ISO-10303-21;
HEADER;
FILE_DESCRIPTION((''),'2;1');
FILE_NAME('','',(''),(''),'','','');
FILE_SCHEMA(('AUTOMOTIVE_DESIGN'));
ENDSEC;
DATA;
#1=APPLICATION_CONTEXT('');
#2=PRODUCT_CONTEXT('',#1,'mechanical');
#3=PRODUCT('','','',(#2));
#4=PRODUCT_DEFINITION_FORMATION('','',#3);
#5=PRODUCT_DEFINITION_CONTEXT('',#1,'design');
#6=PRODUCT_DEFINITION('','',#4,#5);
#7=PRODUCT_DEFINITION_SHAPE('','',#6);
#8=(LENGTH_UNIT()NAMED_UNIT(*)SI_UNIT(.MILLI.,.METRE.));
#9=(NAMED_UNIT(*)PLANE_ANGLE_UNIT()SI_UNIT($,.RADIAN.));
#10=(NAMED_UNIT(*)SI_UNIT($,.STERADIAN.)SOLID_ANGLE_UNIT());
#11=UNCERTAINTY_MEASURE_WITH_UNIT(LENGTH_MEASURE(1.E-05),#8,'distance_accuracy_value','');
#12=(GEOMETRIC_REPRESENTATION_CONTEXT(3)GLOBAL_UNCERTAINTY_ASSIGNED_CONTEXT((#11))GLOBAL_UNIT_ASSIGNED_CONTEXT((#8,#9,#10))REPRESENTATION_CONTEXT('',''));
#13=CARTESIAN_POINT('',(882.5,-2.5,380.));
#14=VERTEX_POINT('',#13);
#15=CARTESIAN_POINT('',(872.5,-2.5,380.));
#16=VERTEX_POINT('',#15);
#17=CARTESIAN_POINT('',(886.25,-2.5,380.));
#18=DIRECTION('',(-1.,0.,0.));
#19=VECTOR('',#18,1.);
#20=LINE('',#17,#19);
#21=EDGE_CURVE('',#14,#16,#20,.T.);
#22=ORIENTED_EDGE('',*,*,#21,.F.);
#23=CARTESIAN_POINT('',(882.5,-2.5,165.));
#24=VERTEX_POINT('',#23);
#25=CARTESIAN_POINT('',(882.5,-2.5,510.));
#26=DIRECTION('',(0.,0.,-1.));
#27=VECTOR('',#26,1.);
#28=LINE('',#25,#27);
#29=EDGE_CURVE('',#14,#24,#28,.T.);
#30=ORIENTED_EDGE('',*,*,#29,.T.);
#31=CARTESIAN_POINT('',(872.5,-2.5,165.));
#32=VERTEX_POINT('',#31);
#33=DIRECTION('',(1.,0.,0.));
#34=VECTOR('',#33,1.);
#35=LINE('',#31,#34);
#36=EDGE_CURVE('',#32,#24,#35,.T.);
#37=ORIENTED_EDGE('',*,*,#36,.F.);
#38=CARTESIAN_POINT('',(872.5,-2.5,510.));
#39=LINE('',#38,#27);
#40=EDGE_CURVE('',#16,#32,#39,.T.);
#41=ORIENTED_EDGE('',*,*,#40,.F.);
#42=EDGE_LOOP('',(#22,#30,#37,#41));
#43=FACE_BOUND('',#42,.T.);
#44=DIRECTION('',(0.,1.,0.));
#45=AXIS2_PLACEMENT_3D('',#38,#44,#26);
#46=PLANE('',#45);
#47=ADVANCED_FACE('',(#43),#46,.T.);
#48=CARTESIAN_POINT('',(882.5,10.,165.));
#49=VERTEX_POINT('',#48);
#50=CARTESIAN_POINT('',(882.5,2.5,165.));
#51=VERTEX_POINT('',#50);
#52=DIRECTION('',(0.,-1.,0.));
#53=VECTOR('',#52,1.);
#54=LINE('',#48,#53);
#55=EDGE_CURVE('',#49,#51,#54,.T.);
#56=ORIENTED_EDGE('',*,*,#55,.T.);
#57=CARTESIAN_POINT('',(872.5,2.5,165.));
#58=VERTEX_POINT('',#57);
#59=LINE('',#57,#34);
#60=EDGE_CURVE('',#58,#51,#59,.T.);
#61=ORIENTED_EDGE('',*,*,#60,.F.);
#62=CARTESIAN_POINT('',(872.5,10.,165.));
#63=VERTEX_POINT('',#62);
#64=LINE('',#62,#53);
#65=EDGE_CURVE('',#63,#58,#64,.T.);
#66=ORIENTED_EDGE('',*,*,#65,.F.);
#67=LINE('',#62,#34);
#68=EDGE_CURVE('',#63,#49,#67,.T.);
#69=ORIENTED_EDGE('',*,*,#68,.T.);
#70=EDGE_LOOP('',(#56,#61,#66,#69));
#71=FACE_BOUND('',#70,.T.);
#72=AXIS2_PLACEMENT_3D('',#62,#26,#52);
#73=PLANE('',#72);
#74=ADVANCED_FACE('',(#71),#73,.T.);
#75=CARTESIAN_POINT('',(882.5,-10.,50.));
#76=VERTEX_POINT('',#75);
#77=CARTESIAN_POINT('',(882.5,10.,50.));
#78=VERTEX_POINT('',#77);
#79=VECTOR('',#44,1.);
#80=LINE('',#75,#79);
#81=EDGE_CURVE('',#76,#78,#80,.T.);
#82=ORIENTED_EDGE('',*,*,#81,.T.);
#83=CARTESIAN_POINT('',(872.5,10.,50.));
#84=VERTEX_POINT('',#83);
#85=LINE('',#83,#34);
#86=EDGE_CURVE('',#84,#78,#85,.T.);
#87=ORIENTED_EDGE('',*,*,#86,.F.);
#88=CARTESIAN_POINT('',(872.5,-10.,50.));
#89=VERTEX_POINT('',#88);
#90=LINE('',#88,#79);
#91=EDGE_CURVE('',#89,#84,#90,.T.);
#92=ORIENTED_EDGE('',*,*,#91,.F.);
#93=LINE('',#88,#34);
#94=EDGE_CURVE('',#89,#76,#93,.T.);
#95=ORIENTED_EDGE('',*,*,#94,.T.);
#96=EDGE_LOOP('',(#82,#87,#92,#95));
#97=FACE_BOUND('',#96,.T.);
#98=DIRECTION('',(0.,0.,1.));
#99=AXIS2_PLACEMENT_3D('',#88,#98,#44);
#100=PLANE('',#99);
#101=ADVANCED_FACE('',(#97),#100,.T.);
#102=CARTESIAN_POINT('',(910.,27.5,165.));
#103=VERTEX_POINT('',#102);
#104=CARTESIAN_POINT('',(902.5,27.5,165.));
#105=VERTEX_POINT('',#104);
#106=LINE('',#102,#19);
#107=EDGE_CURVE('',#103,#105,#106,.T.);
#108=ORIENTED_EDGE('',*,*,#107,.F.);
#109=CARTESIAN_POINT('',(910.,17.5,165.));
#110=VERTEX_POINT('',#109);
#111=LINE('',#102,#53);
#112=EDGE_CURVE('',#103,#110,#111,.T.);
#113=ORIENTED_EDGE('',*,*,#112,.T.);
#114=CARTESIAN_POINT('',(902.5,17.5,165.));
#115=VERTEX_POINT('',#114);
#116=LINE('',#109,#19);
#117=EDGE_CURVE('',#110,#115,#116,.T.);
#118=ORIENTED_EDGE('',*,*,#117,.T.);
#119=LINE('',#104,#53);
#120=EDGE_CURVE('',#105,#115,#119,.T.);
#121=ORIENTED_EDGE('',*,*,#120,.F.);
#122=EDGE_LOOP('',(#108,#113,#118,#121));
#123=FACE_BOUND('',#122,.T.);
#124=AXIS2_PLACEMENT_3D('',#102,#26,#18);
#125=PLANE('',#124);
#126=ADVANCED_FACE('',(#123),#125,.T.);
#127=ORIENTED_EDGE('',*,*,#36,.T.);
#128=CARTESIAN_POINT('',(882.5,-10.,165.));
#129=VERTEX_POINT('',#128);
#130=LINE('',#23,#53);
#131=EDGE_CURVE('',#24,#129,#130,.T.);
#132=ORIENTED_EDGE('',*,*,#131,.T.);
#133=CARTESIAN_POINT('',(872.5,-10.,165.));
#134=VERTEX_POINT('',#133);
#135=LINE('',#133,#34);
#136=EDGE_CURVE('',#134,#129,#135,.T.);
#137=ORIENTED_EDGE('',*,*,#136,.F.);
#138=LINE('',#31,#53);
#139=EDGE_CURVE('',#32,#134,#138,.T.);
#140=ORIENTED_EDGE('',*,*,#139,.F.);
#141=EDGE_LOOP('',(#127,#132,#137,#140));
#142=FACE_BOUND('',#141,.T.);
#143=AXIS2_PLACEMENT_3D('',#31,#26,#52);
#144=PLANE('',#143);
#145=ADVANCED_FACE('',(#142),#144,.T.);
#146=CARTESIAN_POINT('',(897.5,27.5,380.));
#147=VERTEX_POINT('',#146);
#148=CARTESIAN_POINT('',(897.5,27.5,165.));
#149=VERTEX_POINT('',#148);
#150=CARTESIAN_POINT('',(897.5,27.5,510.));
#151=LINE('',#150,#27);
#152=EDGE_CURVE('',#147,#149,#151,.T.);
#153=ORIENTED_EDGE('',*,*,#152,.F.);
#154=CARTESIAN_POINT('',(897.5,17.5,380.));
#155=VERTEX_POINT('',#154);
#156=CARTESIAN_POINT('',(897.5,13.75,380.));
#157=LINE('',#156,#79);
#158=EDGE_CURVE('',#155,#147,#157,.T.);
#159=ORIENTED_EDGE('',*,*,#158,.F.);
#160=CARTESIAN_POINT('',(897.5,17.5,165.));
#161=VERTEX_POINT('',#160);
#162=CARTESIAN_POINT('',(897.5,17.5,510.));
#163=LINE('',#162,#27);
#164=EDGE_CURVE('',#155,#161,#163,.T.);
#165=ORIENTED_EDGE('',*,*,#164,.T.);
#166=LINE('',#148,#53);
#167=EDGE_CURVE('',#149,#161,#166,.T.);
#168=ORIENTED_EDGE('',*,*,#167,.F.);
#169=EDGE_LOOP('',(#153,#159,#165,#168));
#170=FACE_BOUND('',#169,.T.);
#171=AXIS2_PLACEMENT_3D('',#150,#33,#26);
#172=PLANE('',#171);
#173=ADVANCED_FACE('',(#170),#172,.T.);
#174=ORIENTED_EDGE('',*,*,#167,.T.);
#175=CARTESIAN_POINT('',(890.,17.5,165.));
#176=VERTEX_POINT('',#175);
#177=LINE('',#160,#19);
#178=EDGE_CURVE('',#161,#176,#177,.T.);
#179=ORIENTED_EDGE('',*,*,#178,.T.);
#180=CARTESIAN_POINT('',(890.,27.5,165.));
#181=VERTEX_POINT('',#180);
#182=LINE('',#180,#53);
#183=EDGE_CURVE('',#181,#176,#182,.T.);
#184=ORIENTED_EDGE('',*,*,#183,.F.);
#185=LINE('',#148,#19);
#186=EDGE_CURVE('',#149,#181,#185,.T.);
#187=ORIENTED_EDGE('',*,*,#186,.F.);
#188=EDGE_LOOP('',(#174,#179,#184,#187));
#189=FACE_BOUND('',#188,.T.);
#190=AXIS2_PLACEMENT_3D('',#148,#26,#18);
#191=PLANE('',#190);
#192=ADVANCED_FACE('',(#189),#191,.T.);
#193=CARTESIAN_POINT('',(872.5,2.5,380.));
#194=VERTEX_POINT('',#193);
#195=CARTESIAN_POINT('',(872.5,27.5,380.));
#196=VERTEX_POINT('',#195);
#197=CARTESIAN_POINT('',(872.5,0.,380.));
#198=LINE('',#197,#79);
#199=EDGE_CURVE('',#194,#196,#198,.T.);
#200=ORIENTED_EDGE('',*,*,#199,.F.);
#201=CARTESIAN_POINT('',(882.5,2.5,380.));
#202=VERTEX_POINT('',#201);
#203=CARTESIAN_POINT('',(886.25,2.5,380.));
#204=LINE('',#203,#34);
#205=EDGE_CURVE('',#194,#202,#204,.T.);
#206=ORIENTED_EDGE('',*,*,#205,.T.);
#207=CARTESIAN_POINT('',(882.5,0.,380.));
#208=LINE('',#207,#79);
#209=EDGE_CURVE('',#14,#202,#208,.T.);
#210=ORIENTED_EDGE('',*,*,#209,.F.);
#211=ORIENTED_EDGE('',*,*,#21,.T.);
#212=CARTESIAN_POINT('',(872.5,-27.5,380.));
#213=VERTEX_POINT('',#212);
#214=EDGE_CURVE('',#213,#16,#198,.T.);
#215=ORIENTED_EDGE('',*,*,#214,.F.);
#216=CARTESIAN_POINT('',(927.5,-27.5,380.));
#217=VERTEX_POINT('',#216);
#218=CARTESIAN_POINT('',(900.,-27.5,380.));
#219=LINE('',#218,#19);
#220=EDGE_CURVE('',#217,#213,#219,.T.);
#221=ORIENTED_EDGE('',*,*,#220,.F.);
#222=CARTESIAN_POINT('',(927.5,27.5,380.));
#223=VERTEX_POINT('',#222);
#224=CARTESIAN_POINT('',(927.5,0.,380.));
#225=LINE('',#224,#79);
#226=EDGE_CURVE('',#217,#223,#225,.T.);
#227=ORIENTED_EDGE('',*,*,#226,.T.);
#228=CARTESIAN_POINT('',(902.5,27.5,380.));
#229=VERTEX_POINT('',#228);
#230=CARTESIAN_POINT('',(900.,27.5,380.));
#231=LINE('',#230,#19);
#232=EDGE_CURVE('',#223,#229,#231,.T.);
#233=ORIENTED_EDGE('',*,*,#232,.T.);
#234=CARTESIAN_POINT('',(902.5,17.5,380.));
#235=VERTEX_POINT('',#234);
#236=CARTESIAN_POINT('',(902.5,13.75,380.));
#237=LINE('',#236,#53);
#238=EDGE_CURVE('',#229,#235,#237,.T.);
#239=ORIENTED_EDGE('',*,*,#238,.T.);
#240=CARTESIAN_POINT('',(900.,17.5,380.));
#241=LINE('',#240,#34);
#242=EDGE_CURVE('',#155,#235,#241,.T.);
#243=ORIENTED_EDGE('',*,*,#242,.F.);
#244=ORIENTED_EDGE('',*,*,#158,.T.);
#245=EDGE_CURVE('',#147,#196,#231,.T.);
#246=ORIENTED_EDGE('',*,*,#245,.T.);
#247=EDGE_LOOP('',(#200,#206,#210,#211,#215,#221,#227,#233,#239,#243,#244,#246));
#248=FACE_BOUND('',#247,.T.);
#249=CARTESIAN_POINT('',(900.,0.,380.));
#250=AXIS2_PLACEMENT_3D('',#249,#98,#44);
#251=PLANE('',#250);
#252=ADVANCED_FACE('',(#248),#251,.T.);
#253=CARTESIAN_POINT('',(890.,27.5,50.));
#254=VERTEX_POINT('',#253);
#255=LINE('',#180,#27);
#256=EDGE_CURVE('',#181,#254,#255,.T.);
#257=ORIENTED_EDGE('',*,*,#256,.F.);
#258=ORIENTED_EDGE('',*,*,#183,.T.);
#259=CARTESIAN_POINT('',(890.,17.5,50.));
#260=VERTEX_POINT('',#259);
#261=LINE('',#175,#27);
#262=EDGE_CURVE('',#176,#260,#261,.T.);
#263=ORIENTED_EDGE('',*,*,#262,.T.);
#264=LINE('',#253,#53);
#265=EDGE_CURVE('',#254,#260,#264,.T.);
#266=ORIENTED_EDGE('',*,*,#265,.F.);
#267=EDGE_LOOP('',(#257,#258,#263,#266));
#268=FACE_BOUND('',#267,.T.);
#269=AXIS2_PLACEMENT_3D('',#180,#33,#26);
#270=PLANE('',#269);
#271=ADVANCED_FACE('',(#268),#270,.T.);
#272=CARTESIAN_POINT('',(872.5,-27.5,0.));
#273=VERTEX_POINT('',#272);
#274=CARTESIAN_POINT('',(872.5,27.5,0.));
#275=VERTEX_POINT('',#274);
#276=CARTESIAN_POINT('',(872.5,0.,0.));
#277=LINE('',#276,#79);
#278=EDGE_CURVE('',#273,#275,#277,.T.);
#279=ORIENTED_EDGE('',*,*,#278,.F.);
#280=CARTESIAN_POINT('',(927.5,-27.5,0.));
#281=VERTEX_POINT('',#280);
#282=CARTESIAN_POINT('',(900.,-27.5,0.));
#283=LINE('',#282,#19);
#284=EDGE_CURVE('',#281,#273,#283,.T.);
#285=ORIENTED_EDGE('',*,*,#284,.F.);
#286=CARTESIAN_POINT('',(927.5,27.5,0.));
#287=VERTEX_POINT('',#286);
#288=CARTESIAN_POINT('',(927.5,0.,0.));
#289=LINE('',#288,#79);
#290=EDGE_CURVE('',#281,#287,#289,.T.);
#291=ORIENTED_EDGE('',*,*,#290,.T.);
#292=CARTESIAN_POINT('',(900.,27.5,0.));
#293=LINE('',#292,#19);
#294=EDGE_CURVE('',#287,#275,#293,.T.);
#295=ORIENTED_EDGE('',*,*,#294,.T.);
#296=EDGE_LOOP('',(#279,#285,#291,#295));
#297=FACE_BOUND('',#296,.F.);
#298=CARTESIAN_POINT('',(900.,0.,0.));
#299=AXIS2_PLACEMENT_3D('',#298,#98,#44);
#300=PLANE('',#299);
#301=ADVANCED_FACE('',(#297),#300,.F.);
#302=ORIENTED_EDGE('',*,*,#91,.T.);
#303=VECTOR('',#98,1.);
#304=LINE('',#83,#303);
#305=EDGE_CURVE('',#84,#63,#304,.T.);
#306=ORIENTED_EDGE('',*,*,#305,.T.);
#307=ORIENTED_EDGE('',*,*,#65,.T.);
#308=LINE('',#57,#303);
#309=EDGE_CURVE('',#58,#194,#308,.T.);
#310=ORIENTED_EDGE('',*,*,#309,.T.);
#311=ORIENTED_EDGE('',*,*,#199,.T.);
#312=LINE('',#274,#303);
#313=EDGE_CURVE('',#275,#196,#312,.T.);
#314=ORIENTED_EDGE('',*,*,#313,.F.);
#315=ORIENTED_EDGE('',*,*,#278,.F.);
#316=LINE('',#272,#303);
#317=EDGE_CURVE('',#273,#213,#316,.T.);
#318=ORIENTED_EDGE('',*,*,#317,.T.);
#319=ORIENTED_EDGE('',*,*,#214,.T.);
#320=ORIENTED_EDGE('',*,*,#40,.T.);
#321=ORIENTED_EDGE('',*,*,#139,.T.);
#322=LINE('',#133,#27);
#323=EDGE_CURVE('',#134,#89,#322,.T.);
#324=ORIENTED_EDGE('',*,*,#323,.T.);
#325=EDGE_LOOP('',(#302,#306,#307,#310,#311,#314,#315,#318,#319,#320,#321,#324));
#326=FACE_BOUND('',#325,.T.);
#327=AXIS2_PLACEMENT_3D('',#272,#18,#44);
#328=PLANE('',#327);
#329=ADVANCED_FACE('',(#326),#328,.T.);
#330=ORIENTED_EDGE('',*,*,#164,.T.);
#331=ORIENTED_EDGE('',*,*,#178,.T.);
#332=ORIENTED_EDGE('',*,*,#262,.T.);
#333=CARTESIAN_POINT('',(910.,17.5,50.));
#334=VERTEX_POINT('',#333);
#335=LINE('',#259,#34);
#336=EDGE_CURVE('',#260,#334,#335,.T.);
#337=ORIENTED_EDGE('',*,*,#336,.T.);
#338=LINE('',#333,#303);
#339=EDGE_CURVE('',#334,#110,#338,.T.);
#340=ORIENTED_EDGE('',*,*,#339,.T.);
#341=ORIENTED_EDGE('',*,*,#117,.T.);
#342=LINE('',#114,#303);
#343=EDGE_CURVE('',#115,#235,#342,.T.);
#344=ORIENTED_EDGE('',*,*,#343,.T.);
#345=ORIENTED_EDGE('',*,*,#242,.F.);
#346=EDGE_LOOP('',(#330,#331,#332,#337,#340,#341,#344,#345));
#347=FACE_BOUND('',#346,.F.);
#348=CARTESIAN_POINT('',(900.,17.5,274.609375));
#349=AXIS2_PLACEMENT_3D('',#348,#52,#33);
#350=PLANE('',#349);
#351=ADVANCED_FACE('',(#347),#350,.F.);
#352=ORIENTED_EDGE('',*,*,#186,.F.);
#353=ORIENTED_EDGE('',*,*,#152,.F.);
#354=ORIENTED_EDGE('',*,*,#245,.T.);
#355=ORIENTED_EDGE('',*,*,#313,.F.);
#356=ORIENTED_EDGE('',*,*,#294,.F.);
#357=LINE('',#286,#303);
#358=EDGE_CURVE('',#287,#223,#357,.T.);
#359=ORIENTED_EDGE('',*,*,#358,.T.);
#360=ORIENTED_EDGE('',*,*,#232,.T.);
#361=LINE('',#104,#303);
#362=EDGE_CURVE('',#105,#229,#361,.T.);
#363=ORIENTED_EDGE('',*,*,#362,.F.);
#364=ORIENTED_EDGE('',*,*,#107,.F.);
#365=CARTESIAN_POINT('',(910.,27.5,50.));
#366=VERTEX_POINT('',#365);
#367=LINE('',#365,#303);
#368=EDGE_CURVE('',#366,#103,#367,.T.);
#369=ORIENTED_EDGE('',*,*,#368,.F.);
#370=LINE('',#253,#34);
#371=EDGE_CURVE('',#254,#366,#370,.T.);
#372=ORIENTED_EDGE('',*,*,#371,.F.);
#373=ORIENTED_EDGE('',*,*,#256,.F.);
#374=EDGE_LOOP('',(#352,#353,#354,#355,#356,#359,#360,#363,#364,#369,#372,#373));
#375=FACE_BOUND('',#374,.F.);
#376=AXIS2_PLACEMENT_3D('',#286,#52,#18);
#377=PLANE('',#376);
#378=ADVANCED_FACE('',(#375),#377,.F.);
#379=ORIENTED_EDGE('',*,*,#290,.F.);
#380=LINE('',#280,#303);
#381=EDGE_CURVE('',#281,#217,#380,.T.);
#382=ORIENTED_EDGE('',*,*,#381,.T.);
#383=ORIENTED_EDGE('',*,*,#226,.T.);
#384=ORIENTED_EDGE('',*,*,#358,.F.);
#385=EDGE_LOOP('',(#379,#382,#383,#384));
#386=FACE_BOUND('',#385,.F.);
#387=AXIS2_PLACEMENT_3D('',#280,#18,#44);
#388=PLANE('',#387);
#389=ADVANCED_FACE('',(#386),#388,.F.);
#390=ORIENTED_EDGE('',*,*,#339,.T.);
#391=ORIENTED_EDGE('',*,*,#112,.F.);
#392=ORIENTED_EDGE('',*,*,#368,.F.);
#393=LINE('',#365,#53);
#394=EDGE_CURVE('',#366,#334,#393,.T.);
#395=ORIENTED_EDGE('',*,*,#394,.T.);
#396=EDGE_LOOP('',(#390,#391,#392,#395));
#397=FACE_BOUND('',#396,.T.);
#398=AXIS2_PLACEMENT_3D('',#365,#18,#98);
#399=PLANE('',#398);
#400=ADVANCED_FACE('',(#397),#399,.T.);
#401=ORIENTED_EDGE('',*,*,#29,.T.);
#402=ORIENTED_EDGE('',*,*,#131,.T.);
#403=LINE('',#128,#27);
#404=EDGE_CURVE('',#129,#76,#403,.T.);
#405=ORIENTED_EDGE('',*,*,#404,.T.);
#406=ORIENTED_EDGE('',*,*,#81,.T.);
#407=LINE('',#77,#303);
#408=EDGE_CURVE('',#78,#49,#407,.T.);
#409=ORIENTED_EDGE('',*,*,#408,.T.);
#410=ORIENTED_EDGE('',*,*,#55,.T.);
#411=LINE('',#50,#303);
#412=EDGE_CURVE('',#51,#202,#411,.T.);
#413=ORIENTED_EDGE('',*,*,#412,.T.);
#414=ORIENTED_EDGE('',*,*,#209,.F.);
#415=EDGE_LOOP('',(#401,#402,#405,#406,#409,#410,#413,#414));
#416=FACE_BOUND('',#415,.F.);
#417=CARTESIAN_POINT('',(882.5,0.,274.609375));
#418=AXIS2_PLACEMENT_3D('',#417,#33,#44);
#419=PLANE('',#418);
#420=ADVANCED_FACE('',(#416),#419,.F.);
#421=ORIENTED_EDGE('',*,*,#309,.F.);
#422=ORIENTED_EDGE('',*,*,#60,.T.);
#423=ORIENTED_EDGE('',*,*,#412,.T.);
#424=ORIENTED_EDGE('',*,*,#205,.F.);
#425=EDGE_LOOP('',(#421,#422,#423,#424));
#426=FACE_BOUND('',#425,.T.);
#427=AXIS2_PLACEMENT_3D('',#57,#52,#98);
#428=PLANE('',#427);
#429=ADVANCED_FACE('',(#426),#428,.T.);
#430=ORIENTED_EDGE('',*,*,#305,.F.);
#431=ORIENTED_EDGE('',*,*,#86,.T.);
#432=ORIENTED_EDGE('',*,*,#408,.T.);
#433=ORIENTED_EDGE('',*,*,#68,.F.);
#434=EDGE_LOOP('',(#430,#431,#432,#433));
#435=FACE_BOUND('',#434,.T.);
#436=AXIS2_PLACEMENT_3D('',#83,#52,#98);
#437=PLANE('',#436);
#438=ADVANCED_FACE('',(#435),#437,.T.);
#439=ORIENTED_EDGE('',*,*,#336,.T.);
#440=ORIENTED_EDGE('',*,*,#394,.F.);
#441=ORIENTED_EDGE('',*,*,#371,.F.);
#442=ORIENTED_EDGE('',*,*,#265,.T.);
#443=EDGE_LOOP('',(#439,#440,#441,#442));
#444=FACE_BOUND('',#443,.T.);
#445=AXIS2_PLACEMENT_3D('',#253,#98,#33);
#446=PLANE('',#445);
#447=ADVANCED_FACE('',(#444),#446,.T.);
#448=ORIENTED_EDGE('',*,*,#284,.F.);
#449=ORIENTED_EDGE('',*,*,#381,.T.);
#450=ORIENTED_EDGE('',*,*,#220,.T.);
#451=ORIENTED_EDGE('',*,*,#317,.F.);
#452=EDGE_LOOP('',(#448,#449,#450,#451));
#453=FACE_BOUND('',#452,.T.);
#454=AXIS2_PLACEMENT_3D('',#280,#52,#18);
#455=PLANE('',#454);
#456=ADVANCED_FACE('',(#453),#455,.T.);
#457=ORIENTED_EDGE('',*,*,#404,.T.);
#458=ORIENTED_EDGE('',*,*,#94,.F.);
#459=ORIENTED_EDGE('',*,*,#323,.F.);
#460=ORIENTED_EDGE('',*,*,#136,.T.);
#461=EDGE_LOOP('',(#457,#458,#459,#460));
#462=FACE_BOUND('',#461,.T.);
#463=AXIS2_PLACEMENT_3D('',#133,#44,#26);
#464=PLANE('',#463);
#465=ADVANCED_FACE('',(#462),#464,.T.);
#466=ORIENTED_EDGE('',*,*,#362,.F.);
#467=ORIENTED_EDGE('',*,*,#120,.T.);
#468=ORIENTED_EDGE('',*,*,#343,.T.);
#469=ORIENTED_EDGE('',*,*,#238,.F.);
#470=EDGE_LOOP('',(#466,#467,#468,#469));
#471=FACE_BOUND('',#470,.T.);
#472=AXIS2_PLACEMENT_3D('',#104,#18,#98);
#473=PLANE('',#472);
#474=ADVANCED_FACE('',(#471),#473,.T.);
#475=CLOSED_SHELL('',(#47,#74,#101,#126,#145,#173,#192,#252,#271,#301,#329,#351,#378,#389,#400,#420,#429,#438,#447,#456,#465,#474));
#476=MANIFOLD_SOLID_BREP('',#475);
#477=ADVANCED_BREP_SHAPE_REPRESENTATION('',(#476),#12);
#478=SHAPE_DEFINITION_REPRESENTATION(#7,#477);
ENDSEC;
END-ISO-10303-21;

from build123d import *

# Parameters (mm, degrees)
SKETCH_W                = 55
SKETCH_H                = 55
PAD_DEPTH               = 380
POCKET_DEPTH            = 10
POLARPATTERN_COUNT      = 2
POLARPATTERN_ANGLE      = 90
BODY001_PLACEMENT_ANGLE = 90


with BuildPart() as part:
    # Sketch → Pad (new body)
    with BuildSketch(Plane.XY):
        Rectangle(SKETCH_W, SKETCH_H)
    extrude(amount=PAD_DEPTH)

    # Sketch001 (on DatumPlane) → Pocket (cut)
    with BuildSketch(Plane.YZ.offset(27.5)):
        Polygon((-10, 165), (-2.5, 165), (-2.5, 510), (2.5, 510), (2.5, 165), (10, 165), (10, 50), (-10, 50), align=None)
    pocket = extrude(amount=-POCKET_DEPTH, mode=Mode.SUBTRACT)

    # PolarPattern: Pocket ×2 about axis
    polarpattern_axis = Axis((0, 0, 0), (0, 0, 1))
    for i in range(1, POLARPATTERN_COUNT):
        add(pocket.rotate(polarpattern_axis, i * POLARPATTERN_ANGLE / (POLARPATTERN_COUNT - 1)), mode=Mode.SUBTRACT)


with BuildPart() as part_1:
    # Body placement: moved
    add(part.part.moved(Location((-10, 0, 0))))


with BuildPart() as part_2:
    # Clone placement: moved
    add(part_1.part.moved(Location((10, 0, 0))))


with BuildPart() as part_3:
    # Body001 placement: moved
    add(part_2.part.moved(Location((900, 0, 0))).rotate(Axis((900, 0, 0), (0, 0, 1)), BODY001_PLACEMENT_ANGLE))


solid = part_3.part
